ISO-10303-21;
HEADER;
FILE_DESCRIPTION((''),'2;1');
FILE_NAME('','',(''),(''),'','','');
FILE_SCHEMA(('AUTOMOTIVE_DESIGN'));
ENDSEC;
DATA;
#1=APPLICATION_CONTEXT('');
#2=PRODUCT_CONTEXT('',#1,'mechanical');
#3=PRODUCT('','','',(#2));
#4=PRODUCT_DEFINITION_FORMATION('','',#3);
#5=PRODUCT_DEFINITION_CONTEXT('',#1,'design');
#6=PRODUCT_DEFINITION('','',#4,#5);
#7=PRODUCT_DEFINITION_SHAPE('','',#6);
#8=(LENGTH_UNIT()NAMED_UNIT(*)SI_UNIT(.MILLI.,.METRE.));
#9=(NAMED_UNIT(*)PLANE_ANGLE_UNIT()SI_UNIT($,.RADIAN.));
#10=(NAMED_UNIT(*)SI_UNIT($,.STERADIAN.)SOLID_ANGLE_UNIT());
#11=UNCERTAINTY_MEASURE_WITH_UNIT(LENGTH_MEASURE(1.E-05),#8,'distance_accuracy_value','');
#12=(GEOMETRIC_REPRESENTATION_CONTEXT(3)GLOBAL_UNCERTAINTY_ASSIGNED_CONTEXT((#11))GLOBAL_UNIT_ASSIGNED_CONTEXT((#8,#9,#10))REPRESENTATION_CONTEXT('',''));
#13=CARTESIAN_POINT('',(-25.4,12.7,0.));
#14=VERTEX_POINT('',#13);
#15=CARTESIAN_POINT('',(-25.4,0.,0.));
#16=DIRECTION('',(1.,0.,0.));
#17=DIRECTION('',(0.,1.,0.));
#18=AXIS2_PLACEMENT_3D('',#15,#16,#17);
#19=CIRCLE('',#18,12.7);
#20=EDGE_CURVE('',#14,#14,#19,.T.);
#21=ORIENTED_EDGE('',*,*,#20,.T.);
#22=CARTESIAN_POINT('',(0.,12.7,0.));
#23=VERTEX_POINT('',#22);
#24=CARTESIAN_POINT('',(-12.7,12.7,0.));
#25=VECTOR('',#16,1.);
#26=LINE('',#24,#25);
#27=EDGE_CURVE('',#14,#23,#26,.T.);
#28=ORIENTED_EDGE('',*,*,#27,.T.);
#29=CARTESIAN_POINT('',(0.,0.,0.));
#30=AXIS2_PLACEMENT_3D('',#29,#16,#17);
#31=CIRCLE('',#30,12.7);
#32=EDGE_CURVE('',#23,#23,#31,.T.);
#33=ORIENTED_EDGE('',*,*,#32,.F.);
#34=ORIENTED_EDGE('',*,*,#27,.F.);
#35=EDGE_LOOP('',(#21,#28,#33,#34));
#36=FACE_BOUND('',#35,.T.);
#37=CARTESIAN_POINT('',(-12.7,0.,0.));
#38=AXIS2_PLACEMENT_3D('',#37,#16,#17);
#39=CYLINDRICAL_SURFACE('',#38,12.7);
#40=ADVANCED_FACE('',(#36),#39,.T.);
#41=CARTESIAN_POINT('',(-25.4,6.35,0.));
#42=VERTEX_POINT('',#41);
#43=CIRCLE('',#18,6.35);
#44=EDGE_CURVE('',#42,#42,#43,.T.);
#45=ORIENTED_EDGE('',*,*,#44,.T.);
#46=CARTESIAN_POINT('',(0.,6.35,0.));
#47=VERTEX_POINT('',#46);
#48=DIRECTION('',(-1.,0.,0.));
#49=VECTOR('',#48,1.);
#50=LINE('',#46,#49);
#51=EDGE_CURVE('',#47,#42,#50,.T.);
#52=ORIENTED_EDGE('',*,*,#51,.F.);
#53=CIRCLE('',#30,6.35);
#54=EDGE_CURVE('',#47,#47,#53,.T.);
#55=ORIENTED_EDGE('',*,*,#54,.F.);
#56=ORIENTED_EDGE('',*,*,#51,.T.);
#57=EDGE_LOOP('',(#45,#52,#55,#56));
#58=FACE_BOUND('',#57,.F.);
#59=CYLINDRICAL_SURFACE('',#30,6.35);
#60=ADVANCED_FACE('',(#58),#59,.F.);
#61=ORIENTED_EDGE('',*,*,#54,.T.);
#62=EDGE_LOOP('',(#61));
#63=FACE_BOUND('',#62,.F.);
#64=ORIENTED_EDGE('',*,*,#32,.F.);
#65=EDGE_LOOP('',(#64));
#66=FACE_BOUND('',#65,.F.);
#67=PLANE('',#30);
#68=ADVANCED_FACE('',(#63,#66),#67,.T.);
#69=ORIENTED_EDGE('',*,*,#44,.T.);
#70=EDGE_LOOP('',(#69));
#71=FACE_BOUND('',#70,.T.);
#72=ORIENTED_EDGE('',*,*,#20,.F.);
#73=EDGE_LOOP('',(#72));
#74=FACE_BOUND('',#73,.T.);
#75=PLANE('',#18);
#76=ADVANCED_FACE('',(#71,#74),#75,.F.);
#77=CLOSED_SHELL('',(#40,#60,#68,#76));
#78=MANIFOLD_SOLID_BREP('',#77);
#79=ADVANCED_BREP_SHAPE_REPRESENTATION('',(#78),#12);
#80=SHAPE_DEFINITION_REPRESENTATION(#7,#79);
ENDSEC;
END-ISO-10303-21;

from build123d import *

# Parameters (mm, degrees)
F0_W     = 25.4
F0_H     = 12.7
F2_R     = 6.35
F3_DEPTH = 25.401


with BuildPart() as f1:
    # F0 (on Top) → F1 (revolve)
    with BuildSketch(Plane.XY):
        with Locations((-12.7, 6.35)):
            Rectangle(F0_W, F0_H)
    revolve(axis=Axis((-12.7, 0, 0), (1, 0, 0)))

    # F2 (on face) → F3 (cut, through all)
    with BuildSketch(Plane.YZ):
        Circle(F2_R)
    extrude(amount=-F3_DEPTH, mode=Mode.SUBTRACT)


solid = f1.part
